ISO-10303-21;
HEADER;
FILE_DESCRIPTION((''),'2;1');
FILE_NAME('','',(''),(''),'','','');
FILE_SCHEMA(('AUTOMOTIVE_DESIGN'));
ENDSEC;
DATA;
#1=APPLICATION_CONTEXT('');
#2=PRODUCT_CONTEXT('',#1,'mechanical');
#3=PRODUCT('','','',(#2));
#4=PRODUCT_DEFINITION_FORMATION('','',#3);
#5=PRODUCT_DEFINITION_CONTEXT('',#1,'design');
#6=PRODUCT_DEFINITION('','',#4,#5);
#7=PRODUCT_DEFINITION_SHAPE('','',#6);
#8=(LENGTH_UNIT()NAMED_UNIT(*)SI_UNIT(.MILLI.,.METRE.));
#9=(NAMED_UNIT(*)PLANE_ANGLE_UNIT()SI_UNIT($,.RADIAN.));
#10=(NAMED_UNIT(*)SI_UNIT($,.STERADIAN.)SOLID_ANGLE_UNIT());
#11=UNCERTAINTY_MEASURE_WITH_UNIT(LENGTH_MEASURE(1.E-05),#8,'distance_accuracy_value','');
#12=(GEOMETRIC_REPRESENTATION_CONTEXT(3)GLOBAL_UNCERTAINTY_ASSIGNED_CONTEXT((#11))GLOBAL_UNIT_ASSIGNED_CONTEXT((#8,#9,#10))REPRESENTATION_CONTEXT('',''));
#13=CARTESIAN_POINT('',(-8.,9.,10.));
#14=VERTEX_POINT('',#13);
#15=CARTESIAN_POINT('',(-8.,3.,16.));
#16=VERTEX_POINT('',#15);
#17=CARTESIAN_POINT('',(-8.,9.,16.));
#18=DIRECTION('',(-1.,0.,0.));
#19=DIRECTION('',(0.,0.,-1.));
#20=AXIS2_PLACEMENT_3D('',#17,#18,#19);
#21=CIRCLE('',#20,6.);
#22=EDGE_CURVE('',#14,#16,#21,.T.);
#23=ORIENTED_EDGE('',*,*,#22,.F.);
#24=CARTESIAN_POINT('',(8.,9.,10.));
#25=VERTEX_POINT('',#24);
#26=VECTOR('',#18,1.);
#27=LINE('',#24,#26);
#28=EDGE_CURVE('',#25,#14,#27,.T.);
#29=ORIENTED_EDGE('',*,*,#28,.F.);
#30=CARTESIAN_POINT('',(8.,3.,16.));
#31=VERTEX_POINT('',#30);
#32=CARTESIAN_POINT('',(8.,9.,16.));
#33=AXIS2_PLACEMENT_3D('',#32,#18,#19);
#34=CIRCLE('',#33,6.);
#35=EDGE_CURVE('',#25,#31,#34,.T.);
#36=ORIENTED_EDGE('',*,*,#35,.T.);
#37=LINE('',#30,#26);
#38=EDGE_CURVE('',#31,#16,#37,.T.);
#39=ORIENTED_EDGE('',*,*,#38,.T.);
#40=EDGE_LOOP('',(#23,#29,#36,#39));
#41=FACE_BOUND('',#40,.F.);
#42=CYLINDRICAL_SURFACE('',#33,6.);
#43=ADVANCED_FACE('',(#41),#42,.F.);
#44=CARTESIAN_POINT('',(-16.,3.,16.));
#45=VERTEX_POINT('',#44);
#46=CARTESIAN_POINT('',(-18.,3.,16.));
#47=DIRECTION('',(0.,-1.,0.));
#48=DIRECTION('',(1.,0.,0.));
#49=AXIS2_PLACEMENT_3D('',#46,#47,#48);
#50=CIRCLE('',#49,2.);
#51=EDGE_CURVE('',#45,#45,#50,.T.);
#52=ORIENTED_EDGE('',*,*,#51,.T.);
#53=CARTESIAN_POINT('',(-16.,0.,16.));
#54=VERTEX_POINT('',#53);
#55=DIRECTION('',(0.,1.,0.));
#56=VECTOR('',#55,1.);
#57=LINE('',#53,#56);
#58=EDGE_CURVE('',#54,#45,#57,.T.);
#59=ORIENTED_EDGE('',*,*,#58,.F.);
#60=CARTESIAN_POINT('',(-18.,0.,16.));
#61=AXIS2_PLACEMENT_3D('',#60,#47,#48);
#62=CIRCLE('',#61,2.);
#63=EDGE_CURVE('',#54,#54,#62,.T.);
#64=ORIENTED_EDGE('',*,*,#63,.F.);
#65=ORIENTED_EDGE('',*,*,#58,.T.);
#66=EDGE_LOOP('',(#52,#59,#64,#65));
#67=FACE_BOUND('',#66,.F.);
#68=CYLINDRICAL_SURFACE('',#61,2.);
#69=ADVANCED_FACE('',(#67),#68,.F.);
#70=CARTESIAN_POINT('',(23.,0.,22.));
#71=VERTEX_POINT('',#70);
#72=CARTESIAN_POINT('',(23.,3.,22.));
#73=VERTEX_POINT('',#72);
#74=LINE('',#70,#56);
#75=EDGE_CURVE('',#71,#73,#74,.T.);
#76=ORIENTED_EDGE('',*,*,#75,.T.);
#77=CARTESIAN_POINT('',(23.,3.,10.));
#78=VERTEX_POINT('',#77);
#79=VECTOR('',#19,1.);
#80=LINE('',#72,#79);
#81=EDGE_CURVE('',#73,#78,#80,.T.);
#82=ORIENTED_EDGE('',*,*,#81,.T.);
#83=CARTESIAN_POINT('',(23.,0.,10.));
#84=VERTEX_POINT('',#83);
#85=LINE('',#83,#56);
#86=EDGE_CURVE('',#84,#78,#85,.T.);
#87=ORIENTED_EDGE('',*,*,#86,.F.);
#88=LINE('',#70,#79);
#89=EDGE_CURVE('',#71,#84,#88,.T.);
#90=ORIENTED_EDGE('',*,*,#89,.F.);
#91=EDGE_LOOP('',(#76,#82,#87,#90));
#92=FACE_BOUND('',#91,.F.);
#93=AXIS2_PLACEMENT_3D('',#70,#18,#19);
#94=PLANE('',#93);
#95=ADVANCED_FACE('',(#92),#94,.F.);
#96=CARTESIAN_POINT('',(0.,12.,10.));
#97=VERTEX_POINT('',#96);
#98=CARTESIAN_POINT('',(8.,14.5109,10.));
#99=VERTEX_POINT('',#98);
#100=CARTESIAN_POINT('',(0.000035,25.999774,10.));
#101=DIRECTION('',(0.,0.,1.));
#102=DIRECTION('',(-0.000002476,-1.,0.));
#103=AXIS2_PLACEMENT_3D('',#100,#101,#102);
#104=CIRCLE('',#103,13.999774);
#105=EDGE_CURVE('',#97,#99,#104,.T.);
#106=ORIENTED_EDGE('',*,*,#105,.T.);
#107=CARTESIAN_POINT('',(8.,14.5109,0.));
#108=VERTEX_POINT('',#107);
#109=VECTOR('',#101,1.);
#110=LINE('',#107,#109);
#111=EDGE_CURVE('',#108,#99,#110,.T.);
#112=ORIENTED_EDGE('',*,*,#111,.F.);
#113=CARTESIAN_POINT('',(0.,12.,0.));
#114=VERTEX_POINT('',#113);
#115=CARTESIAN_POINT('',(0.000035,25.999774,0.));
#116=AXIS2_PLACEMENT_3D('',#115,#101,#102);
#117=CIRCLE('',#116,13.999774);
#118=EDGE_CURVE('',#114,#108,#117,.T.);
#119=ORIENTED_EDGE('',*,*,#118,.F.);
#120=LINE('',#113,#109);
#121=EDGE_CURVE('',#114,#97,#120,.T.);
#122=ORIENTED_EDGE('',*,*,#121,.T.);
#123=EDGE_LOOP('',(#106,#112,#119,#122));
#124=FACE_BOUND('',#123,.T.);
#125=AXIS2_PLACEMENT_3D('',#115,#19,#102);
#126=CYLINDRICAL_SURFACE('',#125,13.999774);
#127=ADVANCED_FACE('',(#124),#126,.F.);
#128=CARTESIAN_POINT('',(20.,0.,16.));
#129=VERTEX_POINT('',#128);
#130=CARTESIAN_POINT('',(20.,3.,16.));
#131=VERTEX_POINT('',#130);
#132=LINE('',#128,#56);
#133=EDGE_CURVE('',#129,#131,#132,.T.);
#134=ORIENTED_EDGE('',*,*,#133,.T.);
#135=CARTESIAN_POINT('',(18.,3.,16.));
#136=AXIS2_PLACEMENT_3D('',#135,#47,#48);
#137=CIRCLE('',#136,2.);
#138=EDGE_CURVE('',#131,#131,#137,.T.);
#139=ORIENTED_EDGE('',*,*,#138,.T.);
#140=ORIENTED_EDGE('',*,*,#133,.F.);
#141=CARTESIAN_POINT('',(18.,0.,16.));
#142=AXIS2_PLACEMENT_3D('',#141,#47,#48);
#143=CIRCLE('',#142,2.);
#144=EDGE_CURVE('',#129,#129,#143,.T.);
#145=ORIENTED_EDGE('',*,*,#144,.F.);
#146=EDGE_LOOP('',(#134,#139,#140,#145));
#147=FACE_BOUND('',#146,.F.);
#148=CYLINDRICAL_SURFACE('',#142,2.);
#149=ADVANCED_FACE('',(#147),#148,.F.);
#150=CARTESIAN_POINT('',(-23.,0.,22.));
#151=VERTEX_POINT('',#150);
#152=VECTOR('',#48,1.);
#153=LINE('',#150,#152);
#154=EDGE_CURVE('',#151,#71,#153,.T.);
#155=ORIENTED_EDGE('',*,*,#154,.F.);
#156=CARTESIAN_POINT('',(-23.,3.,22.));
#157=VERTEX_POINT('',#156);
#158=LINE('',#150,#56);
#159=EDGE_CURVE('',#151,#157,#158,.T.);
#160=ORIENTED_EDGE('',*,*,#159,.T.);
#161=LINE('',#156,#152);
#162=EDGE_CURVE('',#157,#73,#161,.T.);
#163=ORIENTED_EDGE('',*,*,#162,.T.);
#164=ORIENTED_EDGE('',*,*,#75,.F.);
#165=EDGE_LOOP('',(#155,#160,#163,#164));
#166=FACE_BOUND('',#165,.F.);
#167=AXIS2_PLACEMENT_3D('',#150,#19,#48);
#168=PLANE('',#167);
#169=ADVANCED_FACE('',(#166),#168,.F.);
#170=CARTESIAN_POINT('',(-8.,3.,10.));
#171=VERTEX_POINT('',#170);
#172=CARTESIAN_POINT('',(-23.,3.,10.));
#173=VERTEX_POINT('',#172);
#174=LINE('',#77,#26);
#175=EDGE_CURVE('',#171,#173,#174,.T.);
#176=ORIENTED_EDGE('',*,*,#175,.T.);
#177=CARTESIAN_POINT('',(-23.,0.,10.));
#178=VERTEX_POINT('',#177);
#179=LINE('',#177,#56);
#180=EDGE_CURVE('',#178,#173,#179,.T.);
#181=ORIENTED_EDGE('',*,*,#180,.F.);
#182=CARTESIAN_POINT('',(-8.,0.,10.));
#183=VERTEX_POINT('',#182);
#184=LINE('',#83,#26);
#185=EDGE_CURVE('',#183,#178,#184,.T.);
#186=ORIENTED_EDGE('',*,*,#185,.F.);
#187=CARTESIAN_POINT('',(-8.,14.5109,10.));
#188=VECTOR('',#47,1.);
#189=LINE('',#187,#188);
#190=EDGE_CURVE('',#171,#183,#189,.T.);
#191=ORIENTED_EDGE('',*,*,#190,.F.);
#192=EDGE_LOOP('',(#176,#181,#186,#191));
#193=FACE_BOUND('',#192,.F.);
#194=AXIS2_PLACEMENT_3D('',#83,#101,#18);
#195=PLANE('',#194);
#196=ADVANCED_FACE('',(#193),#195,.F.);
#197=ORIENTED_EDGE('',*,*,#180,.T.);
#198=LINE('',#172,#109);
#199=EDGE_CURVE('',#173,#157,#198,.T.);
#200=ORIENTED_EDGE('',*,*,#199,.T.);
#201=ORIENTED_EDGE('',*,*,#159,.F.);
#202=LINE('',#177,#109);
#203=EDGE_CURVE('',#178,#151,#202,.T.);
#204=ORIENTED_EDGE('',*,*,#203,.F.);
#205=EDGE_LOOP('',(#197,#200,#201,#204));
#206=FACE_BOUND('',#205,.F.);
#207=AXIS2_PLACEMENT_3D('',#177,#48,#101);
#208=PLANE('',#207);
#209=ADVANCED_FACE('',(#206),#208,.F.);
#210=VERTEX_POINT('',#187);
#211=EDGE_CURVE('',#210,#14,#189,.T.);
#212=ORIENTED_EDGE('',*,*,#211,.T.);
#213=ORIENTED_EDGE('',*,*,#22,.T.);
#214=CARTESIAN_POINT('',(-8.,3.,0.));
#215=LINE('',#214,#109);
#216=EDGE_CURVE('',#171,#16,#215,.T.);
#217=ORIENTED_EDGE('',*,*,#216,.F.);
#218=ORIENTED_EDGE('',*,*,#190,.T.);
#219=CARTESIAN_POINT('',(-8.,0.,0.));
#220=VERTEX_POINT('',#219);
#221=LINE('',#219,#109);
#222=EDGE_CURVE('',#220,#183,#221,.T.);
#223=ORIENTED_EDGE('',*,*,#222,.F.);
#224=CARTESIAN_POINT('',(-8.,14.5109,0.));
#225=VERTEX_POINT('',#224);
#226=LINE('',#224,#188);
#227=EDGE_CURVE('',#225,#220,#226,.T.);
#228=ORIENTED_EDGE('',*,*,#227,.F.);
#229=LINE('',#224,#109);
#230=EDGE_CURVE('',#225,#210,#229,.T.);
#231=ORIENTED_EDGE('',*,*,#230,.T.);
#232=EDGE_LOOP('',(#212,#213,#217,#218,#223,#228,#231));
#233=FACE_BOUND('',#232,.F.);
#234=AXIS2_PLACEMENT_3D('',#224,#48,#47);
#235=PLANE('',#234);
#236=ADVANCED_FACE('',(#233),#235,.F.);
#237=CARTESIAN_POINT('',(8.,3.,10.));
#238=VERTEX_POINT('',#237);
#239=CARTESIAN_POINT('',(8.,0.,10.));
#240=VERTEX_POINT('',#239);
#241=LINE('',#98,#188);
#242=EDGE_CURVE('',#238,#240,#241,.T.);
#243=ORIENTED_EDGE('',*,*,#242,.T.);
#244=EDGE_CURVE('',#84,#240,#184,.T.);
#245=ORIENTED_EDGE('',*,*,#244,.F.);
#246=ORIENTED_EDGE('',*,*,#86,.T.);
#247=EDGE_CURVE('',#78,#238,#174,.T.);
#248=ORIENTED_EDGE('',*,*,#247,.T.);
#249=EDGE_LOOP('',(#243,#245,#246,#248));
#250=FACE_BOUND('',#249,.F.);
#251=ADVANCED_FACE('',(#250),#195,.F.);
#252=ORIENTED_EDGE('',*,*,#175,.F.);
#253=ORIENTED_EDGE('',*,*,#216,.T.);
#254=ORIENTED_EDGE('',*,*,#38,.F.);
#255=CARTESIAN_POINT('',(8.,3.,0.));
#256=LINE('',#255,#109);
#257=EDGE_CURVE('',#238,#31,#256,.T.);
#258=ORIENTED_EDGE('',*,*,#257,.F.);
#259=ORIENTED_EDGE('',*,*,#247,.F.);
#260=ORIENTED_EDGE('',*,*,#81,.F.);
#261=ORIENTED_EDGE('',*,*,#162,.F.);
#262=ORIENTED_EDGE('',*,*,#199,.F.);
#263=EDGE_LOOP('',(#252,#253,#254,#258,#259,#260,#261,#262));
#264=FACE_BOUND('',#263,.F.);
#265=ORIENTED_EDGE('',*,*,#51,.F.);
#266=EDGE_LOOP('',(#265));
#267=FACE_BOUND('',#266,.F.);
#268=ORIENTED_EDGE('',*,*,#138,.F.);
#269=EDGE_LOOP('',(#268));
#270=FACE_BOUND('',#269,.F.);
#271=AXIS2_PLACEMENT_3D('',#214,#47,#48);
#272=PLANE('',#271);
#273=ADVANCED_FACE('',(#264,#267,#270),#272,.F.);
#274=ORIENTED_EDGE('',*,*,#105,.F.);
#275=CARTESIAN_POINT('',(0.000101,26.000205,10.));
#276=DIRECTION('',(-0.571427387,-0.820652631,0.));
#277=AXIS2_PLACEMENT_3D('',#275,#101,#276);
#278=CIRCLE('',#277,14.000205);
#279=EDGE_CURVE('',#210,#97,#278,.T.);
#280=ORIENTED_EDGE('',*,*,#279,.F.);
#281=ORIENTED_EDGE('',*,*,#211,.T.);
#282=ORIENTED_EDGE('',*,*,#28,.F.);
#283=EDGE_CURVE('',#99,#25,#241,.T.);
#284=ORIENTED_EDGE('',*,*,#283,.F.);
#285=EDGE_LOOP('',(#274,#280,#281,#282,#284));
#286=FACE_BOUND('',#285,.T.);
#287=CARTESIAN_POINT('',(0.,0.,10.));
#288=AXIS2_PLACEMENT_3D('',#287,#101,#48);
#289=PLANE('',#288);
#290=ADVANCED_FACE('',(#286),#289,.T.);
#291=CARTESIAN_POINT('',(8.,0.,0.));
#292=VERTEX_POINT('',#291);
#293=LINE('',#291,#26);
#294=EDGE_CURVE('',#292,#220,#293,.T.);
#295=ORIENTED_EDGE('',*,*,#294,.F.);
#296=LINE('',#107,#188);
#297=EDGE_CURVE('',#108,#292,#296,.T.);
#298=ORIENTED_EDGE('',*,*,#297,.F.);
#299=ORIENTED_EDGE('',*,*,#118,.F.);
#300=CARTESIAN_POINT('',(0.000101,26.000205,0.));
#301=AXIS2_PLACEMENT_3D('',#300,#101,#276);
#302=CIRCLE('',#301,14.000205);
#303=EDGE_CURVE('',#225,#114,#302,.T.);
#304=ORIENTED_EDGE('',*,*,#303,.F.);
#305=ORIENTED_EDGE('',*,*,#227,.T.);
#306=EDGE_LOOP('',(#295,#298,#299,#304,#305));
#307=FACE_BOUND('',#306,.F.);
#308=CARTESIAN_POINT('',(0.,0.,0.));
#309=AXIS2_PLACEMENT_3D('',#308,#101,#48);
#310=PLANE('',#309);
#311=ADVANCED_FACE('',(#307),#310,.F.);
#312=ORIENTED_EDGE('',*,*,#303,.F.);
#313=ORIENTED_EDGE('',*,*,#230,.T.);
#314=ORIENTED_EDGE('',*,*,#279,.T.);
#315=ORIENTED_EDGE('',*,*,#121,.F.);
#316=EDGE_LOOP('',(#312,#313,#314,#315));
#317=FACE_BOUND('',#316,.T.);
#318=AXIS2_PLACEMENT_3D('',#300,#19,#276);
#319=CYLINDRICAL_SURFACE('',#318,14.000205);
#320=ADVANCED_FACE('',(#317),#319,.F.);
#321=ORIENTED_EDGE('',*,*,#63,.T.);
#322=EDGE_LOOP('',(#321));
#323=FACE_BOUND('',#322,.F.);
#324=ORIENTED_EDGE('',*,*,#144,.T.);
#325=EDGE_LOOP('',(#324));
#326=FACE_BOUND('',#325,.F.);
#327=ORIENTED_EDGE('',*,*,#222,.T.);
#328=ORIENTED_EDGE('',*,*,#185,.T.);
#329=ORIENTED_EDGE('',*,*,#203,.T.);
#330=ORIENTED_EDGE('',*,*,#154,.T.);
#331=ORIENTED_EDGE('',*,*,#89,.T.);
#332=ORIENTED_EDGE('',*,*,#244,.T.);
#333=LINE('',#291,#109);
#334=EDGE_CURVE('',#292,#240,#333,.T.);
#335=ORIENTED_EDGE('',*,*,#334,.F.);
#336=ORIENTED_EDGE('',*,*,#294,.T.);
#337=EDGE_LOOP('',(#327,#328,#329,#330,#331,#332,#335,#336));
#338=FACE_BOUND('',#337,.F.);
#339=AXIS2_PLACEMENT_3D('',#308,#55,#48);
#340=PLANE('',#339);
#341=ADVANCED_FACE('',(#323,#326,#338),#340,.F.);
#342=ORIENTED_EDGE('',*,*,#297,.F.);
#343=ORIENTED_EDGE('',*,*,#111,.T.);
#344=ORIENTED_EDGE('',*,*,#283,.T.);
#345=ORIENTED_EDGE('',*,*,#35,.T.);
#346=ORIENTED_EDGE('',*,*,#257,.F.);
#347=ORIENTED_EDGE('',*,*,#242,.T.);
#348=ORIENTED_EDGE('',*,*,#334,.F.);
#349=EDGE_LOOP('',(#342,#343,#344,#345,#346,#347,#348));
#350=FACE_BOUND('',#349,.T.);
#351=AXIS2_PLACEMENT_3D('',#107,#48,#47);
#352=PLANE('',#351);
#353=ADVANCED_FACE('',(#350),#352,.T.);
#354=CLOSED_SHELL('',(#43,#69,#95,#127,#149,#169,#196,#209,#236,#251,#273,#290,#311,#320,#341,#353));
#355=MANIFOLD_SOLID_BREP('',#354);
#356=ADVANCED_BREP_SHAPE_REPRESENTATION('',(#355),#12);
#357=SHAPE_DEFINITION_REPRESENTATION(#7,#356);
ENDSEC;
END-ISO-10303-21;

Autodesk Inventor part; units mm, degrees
ref_plane "YZ Plane" through (0, 0, 0) normal (1, 0, 0) x (0, 1, 0)
ref_plane "XZ Plane" through (0, 0, 0) normal (0, 1, 0) x (-1, 0, 0)
ref_plane "XY Plane" through (0, 0, 0) normal (0, 0, 1) x (1, 0, 0)
sketch "Sketch1" plane through (0, 0, 0) normal (0, 0, 1) x (1, 0, 0)
  arc A0 (0, 12) -> (8, 14.5109) centre (0, 26) ccw
  line L0 (0, 0) -> (0, 12) construction
  line L1 (8, 14.5109) -> (8, 0)
  arc A1 (-8, 14.5109) -> (0, 12) centre (0, 26) ccw
  line L2 (-8, 14.5109) -> (-8, 0)
  line L3 (-8, 0) -> (0, 0)
  line L4 (0, 0) -> (8, 0)
  dimension "d0" = 14
  dimension "d9" = 8
  dimension "d13" = 26
extrude "Extrusion1" add sketch "Sketch1" along normal blind 10
sketch "Sketch2" plane through (-8, 0, 0) normal (0, -1, 0) x (1, 0, 0)
  circle A0 centre (-10, 16) radius 2
  circle A1 centre (26, 16) radius 2
  line L0 (-10, 16) -> (26, 16) construction
  line L1 (16, 0) -> (0, 0) construction
  line L2 (0, 10) -> (16, 10) construction
  line L3 (-15, 22) -> (31, 22)
  line L4 (31, 22) -> (31, 10)
  line L5 (31, 10) -> (-15, 10)
  line L6 (-15, 10) -> (-15, 22)
  point P0 (8, 0)
  point P1 (8, 16)
  point P2 (8, 0)
  point P3 (31, 16)
  point P4 (8, 22)
  dimension "d14" = 4
  dimension "d15" = 4
  dimension "d16" = 36
  dimension "d17" = 6
  dimension "d18" = 46
extrude "Extrusion2" add sketch "Sketch2" against normal blind 3
fillet "Fillet1" radius 6 1 edges at (0, 3, 10)
properties part number "DefaultMotorMountBack" material "ABS Plastic"
